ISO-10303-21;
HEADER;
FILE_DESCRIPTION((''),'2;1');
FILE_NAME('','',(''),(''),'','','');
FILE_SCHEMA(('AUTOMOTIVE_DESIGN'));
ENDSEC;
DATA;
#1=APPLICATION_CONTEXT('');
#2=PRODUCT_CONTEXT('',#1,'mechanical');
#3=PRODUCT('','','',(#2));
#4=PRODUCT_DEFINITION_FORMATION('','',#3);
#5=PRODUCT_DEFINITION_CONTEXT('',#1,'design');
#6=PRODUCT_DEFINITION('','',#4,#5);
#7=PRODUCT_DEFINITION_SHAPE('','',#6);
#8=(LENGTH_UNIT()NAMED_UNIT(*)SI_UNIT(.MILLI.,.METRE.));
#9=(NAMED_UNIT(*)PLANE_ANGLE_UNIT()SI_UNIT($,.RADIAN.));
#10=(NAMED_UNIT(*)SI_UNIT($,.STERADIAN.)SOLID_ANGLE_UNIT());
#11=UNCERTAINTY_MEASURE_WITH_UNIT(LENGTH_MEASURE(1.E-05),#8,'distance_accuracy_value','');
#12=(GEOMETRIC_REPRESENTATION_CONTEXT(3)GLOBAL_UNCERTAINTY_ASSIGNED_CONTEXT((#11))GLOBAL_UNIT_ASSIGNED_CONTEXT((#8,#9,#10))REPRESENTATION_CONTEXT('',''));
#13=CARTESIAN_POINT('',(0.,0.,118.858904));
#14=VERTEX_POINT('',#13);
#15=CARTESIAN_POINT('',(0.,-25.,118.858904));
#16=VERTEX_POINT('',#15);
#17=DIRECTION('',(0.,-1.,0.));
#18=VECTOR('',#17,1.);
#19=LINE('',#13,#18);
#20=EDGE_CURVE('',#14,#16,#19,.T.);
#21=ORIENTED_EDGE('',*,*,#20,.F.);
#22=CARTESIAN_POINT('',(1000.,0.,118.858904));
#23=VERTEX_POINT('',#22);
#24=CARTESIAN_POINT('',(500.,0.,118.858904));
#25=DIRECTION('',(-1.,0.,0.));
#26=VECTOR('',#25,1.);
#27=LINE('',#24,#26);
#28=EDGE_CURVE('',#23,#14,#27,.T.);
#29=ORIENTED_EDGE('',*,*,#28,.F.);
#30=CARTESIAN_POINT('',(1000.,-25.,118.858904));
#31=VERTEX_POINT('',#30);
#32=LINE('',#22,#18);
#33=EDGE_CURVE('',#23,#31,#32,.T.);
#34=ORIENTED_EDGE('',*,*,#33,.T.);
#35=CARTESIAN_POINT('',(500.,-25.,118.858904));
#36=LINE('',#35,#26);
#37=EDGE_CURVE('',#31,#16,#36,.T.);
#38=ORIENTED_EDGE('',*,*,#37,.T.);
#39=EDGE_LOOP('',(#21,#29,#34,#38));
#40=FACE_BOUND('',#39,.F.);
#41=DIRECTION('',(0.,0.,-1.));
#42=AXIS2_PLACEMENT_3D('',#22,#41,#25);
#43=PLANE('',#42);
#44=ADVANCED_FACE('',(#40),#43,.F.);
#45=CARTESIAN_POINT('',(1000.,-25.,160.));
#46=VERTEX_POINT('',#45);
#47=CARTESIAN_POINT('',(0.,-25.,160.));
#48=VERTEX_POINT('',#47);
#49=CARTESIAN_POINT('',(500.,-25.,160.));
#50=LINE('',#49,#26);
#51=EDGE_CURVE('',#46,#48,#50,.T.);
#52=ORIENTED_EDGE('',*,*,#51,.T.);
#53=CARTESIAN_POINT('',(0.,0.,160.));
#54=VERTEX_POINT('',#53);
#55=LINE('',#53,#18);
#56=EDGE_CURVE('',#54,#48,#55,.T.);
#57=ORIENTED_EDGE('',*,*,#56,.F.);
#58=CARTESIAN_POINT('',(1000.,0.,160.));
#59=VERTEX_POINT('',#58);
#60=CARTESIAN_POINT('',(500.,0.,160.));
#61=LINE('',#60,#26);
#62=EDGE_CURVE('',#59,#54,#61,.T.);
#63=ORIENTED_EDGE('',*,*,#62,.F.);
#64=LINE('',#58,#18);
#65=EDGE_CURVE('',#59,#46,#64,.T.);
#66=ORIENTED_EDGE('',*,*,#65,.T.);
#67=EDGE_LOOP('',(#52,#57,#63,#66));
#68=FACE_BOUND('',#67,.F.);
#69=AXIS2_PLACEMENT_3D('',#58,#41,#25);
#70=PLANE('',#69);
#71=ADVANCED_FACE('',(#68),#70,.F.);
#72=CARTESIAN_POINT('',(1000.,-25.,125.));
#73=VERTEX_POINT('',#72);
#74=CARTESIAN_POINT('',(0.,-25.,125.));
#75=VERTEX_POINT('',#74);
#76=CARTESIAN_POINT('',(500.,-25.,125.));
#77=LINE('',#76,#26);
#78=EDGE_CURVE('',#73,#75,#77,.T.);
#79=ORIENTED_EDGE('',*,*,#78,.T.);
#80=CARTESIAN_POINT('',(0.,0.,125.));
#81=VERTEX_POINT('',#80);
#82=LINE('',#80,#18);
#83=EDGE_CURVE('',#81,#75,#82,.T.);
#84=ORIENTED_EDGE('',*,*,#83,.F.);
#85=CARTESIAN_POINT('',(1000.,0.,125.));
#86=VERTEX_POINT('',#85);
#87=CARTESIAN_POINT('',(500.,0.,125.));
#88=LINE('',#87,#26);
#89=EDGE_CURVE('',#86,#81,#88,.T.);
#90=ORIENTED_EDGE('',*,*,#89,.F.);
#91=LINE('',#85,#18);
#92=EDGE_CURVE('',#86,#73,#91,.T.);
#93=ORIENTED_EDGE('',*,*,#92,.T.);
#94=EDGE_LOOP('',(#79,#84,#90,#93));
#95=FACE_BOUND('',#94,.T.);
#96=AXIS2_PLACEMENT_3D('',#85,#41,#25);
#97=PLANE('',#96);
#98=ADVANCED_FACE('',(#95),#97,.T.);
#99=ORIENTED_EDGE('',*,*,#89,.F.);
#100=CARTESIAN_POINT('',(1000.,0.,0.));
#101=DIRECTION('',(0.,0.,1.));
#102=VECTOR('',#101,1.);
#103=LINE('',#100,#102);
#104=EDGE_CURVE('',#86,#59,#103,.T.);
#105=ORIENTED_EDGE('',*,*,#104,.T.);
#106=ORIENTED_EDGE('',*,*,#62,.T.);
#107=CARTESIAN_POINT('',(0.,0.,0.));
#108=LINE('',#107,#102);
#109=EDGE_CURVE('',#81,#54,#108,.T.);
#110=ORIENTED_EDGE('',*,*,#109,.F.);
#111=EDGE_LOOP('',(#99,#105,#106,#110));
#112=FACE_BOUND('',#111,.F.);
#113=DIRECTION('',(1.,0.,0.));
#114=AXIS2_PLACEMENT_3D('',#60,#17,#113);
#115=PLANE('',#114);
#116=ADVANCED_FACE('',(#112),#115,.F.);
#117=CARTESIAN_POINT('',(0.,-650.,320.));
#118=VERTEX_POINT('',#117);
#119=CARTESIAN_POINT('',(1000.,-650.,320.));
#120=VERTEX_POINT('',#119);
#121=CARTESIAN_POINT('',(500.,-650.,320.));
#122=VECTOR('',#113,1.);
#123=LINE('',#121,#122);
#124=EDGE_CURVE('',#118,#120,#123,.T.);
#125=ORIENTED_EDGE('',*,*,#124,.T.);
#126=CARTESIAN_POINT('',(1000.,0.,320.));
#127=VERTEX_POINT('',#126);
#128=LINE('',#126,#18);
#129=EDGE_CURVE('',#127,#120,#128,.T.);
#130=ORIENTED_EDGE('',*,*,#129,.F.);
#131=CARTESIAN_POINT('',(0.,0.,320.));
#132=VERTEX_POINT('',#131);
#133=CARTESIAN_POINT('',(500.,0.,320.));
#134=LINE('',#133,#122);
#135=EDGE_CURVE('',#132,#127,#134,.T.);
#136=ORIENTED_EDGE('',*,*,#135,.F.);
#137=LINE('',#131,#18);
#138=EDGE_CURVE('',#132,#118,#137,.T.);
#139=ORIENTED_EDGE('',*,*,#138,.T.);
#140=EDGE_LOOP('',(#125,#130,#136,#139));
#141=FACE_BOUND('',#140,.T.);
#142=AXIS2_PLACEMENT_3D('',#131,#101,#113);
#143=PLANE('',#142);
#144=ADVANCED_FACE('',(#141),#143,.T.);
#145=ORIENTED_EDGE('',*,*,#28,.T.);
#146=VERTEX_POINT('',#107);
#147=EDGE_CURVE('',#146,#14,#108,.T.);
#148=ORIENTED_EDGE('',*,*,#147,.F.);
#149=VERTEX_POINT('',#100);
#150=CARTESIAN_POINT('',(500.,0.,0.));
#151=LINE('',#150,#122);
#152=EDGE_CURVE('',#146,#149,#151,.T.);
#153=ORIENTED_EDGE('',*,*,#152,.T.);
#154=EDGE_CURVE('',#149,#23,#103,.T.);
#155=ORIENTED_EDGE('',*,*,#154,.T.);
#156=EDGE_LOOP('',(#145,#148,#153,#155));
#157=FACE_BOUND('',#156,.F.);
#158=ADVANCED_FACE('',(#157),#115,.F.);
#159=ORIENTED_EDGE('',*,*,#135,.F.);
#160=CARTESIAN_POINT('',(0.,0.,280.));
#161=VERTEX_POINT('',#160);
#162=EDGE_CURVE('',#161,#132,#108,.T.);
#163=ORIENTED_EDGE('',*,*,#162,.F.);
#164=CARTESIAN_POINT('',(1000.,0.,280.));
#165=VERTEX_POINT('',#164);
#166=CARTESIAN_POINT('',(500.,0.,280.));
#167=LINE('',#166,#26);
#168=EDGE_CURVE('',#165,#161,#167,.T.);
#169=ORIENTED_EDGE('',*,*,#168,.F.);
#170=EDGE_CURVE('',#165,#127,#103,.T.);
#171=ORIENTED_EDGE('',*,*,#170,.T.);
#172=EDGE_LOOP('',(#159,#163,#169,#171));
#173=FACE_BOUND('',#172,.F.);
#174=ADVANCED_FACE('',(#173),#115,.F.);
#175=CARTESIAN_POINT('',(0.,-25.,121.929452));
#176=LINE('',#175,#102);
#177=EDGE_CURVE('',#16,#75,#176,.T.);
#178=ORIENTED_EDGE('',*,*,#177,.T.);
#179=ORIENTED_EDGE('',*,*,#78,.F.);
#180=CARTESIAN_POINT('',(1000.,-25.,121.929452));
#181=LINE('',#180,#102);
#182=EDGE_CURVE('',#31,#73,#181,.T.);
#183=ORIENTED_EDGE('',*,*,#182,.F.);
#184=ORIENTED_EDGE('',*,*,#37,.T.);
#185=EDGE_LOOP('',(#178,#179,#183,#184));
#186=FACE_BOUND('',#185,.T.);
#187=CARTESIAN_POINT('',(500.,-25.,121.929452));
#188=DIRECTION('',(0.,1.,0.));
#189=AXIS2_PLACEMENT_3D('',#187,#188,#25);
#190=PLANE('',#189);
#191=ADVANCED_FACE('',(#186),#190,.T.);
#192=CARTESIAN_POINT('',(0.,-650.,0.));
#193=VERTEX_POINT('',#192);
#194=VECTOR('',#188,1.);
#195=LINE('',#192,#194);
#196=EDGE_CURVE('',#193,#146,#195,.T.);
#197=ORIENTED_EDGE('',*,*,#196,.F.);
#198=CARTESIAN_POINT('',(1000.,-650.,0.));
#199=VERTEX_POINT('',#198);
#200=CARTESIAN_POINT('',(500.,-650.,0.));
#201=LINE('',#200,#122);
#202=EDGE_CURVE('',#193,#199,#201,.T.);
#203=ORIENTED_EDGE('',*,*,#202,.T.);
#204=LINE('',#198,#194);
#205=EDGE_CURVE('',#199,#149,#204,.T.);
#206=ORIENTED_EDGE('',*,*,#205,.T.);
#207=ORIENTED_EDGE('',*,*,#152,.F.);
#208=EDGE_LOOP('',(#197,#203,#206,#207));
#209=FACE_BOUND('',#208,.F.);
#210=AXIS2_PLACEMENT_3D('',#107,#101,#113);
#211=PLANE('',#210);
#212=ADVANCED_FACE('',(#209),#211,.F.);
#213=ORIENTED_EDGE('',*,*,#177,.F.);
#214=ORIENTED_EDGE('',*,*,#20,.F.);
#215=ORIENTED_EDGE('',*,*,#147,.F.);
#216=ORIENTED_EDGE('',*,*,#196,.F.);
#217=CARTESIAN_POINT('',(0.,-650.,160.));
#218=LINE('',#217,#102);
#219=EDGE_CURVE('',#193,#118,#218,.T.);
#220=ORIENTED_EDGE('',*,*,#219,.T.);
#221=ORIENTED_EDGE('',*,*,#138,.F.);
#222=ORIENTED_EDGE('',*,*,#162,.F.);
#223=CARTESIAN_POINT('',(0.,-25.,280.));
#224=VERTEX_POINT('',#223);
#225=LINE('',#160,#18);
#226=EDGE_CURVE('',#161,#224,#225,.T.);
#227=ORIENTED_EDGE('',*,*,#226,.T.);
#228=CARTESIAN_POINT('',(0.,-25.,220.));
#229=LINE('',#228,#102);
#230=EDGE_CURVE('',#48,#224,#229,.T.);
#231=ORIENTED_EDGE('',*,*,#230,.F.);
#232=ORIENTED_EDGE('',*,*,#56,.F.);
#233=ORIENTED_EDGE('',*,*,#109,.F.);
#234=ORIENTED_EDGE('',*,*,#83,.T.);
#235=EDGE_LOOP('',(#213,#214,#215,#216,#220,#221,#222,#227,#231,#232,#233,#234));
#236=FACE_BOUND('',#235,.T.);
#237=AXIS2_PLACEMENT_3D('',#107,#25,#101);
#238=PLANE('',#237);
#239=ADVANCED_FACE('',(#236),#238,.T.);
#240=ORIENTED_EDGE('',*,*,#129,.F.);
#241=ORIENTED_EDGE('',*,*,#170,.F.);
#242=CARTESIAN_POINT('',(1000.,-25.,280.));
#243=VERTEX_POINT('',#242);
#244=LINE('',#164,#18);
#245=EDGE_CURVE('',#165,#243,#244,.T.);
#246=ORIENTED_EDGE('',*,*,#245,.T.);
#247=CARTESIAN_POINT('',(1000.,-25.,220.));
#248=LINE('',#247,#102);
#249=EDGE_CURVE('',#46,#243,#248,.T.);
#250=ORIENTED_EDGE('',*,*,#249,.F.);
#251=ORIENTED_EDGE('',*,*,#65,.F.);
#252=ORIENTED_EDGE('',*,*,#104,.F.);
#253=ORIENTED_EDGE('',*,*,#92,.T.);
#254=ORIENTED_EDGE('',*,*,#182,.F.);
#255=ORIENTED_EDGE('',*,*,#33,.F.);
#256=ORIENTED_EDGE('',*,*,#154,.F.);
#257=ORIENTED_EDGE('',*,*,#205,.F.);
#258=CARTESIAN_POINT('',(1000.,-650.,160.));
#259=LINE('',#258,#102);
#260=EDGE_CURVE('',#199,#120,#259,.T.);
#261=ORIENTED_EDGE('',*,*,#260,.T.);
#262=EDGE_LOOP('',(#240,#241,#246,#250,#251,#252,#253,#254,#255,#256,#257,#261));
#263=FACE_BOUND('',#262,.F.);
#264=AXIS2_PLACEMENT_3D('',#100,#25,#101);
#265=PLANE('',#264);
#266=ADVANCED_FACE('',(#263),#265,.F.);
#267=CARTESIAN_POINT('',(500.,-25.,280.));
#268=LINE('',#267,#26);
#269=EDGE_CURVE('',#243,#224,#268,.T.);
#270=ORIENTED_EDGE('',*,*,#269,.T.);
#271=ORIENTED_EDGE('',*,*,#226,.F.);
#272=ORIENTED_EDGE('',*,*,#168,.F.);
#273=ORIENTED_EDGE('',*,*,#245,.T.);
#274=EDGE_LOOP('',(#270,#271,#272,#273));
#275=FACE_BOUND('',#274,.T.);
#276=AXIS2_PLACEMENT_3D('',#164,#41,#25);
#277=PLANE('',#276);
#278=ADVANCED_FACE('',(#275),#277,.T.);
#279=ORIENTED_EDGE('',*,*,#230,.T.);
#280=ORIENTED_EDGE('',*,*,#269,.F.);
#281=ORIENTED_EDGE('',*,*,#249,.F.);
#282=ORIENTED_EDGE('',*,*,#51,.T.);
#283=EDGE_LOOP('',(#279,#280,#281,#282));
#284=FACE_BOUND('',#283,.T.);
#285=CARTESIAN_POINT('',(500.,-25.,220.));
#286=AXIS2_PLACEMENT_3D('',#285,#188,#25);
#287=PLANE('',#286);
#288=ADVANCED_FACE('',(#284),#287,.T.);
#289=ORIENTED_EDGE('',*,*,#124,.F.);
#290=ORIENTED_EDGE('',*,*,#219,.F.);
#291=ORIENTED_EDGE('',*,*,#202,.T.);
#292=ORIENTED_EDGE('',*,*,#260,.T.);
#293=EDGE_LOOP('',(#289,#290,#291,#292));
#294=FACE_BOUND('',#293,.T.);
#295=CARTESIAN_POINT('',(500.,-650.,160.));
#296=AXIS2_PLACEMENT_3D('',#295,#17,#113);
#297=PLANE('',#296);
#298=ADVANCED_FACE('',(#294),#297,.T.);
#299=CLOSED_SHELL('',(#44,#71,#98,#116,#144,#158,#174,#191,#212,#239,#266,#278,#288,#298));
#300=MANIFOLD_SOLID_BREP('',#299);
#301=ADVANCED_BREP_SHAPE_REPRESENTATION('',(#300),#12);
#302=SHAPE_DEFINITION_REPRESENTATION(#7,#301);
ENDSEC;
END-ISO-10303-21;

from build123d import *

# Parameters (mm, degrees)
F0_W     = 1000
F0_H     = 320
F1_DEPTH = 650
F2_W     = 1000
F2_H     = 120
F2_H_2   = 125
F3_DEPTH = 28
F4_DEPTH = 25
F5_W     = 1000
F5_H     = 6.141096
F6_DEPTH = 25


with BuildPart() as f1:
    # F0 (on Front) → F1 (new body)
    with BuildSketch(Plane.XZ):
        with Locations((500, 160)):
            Rectangle(F0_W, F0_H)
    extrude(amount=F1_DEPTH)

    # F2 (on face) → F3 (join)
    with BuildSketch(Plane(origin=(0, 0, 0), x_dir=(-1, 0, 0), z_dir=(0, 1, 0))):
        with Locations((-500, 220)):
            Rectangle(F2_W, F2_H)
        with Locations((-500, 62.5)):
            Rectangle(F2_W, F2_H_2)
    extrude(amount=-F3_DEPTH)

    # F2 (on face) → F4 (cut)
    with BuildSketch(Plane(origin=(0, 0, 0), x_dir=(-1, 0, 0), z_dir=(0, 1, 0))):
        with Locations((-500, 220)):
            Rectangle(F2_W, F2_H)
    extrude(amount=-F4_DEPTH, mode=Mode.SUBTRACT)

    # F5 (on face) → F6 (cut)
    with BuildSketch(Plane(origin=(0, 0, 0), x_dir=(-1, 0, 0), z_dir=(0, 1, 0))):
        with Locations((-500, 121.929452)):
            Rectangle(F5_W, F5_H)
    extrude(amount=-F6_DEPTH, mode=Mode.SUBTRACT)


solid = f1.part
